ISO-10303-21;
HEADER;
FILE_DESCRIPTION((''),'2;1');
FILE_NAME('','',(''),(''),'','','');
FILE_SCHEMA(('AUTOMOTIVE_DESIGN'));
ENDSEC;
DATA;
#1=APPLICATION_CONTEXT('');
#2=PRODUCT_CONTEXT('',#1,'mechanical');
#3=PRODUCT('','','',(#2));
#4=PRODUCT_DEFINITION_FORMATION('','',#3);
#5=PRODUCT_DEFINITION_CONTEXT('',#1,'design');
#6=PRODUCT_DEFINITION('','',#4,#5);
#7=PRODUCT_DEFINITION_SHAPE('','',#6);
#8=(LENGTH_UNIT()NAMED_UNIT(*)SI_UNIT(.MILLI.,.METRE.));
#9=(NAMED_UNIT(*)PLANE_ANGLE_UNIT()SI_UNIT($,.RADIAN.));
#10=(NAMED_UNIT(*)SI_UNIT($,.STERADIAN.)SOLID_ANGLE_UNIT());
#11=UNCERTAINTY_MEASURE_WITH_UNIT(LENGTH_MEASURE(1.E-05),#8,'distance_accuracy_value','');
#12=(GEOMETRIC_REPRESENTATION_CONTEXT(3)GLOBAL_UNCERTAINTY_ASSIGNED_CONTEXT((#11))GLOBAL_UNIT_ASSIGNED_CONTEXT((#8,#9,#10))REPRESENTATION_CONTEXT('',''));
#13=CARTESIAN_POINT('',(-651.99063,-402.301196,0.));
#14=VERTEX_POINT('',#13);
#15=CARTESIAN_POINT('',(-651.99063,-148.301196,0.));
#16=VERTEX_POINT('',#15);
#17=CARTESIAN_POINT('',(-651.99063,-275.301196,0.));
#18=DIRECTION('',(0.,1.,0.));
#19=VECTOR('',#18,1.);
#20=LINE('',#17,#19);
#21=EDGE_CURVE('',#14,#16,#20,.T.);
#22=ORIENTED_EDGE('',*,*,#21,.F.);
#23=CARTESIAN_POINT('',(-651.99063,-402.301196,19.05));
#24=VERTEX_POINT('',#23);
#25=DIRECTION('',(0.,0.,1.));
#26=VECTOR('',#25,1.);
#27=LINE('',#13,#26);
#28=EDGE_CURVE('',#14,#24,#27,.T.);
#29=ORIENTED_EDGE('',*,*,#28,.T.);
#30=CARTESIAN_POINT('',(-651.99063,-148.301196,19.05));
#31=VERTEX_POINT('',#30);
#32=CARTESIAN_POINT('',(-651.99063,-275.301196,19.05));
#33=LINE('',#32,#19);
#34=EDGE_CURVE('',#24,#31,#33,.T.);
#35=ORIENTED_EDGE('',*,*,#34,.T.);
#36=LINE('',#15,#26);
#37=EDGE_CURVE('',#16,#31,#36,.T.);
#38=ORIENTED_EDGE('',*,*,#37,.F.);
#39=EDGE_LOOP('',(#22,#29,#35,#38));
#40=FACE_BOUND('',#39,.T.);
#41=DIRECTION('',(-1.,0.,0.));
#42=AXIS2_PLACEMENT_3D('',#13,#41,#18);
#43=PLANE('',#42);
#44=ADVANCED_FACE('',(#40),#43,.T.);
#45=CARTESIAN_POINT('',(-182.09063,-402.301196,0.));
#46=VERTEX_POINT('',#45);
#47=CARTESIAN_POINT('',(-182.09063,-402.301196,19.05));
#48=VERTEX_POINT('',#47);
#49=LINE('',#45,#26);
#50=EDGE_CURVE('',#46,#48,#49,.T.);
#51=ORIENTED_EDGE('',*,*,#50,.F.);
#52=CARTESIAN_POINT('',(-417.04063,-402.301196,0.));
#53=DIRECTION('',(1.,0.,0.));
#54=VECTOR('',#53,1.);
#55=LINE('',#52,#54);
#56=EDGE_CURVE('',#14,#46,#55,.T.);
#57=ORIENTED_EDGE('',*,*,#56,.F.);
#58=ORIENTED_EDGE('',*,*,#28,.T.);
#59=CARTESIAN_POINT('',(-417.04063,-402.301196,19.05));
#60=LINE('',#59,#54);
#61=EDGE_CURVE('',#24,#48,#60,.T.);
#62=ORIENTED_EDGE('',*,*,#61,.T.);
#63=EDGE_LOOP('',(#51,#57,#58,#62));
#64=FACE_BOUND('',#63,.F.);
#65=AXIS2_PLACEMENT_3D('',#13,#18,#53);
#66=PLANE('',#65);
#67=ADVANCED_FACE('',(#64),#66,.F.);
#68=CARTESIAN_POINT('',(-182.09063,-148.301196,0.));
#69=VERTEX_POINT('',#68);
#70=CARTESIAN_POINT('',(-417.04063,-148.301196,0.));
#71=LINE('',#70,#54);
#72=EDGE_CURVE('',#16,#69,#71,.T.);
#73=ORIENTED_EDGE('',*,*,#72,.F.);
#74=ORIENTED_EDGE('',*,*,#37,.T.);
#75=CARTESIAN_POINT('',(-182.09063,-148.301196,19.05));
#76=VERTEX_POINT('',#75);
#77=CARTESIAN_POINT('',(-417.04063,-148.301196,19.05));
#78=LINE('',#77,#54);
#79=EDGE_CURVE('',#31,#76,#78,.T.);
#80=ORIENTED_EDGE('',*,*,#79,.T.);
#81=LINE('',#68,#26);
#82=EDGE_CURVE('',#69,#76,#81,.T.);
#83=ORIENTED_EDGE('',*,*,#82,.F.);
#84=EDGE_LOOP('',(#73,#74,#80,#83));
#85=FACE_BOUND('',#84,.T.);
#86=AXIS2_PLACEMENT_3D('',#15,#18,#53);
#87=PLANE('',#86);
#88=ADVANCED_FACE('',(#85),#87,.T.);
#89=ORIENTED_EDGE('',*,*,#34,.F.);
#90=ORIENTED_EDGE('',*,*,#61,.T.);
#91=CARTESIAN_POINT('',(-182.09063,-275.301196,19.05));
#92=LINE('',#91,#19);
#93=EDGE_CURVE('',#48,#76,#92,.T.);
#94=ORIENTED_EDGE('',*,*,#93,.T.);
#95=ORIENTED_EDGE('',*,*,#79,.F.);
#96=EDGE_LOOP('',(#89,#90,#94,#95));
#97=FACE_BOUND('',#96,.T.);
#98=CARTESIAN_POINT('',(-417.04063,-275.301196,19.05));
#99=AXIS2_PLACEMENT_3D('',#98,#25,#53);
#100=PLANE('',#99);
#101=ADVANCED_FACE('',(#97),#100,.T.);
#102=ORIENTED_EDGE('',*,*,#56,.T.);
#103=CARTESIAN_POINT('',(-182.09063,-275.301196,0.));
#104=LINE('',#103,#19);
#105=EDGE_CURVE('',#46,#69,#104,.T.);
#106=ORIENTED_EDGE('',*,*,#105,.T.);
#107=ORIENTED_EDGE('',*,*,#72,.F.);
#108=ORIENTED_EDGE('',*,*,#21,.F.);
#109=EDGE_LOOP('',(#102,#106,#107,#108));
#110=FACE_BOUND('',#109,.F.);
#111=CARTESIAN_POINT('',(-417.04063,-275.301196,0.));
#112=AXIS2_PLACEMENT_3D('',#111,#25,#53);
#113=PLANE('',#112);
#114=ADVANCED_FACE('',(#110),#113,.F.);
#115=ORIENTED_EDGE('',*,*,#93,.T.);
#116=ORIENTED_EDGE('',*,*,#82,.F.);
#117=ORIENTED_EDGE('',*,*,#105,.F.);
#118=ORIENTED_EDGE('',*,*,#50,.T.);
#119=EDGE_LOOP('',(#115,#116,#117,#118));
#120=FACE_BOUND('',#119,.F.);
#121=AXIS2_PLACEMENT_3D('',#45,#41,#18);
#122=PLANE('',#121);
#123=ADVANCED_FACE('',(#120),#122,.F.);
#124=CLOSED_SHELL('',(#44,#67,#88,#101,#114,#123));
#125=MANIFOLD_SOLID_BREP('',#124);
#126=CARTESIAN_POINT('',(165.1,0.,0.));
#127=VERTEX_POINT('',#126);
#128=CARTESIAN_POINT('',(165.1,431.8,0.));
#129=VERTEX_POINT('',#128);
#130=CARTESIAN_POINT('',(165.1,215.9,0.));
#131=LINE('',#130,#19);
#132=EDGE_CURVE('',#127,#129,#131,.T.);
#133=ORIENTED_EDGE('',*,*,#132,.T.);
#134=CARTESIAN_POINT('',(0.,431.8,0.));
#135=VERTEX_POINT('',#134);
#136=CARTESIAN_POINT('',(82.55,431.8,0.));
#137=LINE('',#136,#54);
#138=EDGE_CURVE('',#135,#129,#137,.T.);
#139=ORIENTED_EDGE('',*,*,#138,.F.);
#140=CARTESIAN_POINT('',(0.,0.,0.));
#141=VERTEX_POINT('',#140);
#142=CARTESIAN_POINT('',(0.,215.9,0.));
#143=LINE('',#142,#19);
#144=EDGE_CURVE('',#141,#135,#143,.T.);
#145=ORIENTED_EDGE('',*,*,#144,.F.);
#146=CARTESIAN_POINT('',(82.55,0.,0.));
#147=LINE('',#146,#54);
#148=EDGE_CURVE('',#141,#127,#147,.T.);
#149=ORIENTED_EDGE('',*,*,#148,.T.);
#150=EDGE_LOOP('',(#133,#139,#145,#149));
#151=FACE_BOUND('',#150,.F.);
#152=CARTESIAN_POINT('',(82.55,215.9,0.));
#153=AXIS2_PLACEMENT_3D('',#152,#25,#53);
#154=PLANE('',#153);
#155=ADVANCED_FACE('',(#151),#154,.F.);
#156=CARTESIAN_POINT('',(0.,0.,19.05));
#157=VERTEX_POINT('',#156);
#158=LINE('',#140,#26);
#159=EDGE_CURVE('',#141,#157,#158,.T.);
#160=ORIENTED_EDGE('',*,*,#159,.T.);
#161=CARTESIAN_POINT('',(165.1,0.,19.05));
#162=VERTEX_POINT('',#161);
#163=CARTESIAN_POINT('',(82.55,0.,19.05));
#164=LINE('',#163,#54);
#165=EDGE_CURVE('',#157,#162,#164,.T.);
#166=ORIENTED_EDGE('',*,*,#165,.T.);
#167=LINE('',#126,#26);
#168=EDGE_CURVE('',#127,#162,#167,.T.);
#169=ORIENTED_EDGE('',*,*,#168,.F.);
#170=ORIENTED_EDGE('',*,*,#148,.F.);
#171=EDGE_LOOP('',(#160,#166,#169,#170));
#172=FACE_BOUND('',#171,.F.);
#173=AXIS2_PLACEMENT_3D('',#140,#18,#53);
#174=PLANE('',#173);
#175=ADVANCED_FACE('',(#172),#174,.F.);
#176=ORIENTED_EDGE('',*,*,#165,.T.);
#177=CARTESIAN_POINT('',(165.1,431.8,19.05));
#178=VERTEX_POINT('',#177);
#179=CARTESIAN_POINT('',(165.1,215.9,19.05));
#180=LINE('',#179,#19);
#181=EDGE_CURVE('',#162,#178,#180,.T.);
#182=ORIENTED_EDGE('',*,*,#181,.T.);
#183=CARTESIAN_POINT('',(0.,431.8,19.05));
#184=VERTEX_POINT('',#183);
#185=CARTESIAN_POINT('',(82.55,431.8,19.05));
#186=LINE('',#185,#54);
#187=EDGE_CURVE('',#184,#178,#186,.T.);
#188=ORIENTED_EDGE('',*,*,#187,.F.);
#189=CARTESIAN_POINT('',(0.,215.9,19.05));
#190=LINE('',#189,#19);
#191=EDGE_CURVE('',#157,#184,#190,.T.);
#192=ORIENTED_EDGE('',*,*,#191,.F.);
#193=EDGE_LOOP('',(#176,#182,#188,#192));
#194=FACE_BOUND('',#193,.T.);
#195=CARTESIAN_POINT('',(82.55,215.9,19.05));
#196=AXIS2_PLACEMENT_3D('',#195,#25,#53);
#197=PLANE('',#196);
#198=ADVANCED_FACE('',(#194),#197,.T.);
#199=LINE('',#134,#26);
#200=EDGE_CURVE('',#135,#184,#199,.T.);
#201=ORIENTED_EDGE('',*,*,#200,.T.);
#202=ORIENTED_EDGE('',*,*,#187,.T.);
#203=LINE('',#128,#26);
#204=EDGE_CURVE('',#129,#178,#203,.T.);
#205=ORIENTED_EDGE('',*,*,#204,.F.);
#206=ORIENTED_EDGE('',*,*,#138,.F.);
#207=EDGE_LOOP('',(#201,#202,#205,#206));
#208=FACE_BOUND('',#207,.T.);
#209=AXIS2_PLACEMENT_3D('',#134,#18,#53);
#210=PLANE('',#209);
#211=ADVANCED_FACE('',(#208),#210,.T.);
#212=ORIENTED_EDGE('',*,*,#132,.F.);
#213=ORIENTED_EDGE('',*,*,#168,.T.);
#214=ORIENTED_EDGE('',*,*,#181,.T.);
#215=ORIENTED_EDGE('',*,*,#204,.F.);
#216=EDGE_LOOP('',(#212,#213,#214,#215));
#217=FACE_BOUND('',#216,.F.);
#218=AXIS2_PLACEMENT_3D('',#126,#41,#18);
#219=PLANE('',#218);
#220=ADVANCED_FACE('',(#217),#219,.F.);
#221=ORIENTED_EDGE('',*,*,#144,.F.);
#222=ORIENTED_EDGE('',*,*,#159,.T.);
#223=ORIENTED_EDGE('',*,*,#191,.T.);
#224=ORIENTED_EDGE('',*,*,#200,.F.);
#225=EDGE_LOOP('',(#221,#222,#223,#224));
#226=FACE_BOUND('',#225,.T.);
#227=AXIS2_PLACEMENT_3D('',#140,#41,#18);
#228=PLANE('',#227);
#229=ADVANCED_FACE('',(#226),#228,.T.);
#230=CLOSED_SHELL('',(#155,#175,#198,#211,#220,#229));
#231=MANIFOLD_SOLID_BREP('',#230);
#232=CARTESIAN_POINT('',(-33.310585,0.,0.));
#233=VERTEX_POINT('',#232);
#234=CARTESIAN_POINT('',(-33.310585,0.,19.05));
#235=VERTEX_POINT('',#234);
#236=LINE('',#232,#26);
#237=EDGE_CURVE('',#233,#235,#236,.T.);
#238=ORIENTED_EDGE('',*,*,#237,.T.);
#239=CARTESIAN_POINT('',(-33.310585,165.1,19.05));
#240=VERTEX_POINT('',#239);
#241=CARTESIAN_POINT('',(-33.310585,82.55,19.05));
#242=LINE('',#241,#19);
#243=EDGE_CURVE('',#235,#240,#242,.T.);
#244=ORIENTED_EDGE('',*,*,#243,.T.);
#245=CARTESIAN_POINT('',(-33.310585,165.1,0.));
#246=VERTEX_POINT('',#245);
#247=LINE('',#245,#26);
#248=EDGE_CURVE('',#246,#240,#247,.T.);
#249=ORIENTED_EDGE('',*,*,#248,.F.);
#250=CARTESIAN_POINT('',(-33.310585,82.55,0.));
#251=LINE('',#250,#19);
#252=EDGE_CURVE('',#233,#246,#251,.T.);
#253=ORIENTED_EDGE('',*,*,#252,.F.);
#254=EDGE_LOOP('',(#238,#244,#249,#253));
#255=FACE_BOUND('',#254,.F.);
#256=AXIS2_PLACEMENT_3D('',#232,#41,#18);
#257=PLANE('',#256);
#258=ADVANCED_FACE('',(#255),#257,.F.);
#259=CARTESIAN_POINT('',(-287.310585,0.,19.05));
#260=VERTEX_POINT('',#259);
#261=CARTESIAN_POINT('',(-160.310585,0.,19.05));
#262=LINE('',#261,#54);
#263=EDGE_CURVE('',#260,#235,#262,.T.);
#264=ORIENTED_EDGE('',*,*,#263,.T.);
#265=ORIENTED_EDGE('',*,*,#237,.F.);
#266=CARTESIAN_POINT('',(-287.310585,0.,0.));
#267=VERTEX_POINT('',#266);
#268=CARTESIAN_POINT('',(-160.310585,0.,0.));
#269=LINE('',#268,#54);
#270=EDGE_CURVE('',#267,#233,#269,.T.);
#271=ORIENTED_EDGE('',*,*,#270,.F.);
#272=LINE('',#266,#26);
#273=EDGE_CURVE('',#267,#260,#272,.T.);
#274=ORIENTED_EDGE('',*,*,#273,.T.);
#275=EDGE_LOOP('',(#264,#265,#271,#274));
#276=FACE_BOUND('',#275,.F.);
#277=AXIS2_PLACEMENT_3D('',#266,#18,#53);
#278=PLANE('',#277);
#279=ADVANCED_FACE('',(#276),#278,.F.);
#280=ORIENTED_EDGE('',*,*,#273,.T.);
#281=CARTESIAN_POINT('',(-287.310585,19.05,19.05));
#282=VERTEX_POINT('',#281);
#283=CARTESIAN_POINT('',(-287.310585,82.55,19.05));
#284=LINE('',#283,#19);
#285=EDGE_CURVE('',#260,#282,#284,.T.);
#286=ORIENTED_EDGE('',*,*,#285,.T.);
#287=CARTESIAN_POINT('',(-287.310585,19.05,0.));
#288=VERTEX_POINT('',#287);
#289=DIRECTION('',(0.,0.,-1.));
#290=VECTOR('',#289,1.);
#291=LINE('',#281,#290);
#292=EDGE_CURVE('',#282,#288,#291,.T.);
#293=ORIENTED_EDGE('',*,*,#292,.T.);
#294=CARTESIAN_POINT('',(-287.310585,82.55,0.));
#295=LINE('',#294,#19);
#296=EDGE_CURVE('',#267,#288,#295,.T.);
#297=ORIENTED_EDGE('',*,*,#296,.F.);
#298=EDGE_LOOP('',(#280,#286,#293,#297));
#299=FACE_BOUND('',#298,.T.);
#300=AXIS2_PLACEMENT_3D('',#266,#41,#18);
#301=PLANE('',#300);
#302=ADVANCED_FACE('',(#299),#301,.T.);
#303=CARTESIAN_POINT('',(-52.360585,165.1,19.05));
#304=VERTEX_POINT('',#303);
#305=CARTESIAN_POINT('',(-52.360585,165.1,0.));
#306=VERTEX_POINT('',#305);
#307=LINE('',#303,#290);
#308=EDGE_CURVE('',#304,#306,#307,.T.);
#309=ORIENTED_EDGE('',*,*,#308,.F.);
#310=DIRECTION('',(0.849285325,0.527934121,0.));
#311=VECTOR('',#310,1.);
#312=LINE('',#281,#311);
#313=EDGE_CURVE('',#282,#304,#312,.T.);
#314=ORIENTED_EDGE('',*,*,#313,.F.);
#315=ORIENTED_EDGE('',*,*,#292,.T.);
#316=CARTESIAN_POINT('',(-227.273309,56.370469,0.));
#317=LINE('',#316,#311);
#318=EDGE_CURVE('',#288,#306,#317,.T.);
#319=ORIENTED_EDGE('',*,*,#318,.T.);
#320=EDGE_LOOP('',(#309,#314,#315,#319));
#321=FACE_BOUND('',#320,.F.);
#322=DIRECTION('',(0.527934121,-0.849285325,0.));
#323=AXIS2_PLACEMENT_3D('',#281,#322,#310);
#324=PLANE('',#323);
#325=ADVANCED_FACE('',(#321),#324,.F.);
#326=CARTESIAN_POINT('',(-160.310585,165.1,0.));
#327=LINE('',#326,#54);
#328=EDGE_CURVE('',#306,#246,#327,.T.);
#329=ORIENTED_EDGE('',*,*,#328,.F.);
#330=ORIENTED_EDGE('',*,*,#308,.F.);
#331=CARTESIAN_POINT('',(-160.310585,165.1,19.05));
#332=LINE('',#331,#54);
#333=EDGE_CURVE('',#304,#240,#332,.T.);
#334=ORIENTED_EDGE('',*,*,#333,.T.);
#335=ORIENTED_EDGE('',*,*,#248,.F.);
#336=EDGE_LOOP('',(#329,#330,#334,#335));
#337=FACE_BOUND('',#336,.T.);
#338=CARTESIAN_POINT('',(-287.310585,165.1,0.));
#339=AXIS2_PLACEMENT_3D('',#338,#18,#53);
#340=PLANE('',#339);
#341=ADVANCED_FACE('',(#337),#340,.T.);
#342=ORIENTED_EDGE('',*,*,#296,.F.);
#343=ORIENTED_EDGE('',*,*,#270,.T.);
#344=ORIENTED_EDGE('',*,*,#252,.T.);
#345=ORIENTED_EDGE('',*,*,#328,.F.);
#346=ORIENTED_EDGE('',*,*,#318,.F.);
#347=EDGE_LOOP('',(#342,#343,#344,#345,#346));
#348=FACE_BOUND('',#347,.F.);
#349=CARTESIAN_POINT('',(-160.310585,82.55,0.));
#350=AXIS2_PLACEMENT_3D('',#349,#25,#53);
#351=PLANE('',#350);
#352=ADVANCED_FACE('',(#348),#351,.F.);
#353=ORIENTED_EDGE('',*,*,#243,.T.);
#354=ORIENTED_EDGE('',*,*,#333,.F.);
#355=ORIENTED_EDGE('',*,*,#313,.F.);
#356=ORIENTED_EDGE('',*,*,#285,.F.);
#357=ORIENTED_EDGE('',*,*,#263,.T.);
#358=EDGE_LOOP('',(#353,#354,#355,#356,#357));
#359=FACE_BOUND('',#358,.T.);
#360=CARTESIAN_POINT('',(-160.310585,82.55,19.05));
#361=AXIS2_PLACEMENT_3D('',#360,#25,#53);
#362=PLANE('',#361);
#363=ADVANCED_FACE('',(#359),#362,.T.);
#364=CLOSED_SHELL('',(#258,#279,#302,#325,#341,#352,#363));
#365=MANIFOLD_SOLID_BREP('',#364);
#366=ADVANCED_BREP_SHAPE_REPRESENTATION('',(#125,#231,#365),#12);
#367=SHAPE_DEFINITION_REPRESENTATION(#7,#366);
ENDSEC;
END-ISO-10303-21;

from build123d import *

# Parameters (mm, degrees)
F0_W     = 165.1
F0_H     = 431.8
F1_DEPTH = 19.05
F2_W     = 254
F2_H     = 165.1
F3_DEPTH = 19.05
F5_DEPTH = 19.051
F6_W     = 469.9
F6_H     = 254
F7_DEPTH = 19.05


with BuildPart() as f1:
    # F0 (on Top) → F1 (new body)
    with BuildSketch(Plane.XY):
        with Locations((82.55, 215.9)):
            Rectangle(F0_W, F0_H)
    extrude(amount=F1_DEPTH)


with BuildPart() as f3:
    # F2 (on Top) → F3 (new body)
    with BuildSketch(Plane.XY):
        with Locations((-160.310585, 82.55)):
            Rectangle(F2_W, F2_H)
    extrude(amount=F3_DEPTH)

    # F4 (on face) → F5 (cut, through all)
    with BuildSketch(Plane.XY.offset(19.05)):
        Polygon((-287.310585, 19.05), (-52.360585, 165.1), (-287.310585, 165.1), align=None)
    extrude(amount=-F5_DEPTH, mode=Mode.SUBTRACT)


with BuildPart() as f7:
    # F6 (on Top) → F7 (new body)
    with BuildSketch(Plane.XY):
        with Locations((-417.04063, -275.301196)):
            Rectangle(F6_W, F6_H)
    extrude(amount=F7_DEPTH)


solid = Compound([f1.part, f3.part, f7.part])
